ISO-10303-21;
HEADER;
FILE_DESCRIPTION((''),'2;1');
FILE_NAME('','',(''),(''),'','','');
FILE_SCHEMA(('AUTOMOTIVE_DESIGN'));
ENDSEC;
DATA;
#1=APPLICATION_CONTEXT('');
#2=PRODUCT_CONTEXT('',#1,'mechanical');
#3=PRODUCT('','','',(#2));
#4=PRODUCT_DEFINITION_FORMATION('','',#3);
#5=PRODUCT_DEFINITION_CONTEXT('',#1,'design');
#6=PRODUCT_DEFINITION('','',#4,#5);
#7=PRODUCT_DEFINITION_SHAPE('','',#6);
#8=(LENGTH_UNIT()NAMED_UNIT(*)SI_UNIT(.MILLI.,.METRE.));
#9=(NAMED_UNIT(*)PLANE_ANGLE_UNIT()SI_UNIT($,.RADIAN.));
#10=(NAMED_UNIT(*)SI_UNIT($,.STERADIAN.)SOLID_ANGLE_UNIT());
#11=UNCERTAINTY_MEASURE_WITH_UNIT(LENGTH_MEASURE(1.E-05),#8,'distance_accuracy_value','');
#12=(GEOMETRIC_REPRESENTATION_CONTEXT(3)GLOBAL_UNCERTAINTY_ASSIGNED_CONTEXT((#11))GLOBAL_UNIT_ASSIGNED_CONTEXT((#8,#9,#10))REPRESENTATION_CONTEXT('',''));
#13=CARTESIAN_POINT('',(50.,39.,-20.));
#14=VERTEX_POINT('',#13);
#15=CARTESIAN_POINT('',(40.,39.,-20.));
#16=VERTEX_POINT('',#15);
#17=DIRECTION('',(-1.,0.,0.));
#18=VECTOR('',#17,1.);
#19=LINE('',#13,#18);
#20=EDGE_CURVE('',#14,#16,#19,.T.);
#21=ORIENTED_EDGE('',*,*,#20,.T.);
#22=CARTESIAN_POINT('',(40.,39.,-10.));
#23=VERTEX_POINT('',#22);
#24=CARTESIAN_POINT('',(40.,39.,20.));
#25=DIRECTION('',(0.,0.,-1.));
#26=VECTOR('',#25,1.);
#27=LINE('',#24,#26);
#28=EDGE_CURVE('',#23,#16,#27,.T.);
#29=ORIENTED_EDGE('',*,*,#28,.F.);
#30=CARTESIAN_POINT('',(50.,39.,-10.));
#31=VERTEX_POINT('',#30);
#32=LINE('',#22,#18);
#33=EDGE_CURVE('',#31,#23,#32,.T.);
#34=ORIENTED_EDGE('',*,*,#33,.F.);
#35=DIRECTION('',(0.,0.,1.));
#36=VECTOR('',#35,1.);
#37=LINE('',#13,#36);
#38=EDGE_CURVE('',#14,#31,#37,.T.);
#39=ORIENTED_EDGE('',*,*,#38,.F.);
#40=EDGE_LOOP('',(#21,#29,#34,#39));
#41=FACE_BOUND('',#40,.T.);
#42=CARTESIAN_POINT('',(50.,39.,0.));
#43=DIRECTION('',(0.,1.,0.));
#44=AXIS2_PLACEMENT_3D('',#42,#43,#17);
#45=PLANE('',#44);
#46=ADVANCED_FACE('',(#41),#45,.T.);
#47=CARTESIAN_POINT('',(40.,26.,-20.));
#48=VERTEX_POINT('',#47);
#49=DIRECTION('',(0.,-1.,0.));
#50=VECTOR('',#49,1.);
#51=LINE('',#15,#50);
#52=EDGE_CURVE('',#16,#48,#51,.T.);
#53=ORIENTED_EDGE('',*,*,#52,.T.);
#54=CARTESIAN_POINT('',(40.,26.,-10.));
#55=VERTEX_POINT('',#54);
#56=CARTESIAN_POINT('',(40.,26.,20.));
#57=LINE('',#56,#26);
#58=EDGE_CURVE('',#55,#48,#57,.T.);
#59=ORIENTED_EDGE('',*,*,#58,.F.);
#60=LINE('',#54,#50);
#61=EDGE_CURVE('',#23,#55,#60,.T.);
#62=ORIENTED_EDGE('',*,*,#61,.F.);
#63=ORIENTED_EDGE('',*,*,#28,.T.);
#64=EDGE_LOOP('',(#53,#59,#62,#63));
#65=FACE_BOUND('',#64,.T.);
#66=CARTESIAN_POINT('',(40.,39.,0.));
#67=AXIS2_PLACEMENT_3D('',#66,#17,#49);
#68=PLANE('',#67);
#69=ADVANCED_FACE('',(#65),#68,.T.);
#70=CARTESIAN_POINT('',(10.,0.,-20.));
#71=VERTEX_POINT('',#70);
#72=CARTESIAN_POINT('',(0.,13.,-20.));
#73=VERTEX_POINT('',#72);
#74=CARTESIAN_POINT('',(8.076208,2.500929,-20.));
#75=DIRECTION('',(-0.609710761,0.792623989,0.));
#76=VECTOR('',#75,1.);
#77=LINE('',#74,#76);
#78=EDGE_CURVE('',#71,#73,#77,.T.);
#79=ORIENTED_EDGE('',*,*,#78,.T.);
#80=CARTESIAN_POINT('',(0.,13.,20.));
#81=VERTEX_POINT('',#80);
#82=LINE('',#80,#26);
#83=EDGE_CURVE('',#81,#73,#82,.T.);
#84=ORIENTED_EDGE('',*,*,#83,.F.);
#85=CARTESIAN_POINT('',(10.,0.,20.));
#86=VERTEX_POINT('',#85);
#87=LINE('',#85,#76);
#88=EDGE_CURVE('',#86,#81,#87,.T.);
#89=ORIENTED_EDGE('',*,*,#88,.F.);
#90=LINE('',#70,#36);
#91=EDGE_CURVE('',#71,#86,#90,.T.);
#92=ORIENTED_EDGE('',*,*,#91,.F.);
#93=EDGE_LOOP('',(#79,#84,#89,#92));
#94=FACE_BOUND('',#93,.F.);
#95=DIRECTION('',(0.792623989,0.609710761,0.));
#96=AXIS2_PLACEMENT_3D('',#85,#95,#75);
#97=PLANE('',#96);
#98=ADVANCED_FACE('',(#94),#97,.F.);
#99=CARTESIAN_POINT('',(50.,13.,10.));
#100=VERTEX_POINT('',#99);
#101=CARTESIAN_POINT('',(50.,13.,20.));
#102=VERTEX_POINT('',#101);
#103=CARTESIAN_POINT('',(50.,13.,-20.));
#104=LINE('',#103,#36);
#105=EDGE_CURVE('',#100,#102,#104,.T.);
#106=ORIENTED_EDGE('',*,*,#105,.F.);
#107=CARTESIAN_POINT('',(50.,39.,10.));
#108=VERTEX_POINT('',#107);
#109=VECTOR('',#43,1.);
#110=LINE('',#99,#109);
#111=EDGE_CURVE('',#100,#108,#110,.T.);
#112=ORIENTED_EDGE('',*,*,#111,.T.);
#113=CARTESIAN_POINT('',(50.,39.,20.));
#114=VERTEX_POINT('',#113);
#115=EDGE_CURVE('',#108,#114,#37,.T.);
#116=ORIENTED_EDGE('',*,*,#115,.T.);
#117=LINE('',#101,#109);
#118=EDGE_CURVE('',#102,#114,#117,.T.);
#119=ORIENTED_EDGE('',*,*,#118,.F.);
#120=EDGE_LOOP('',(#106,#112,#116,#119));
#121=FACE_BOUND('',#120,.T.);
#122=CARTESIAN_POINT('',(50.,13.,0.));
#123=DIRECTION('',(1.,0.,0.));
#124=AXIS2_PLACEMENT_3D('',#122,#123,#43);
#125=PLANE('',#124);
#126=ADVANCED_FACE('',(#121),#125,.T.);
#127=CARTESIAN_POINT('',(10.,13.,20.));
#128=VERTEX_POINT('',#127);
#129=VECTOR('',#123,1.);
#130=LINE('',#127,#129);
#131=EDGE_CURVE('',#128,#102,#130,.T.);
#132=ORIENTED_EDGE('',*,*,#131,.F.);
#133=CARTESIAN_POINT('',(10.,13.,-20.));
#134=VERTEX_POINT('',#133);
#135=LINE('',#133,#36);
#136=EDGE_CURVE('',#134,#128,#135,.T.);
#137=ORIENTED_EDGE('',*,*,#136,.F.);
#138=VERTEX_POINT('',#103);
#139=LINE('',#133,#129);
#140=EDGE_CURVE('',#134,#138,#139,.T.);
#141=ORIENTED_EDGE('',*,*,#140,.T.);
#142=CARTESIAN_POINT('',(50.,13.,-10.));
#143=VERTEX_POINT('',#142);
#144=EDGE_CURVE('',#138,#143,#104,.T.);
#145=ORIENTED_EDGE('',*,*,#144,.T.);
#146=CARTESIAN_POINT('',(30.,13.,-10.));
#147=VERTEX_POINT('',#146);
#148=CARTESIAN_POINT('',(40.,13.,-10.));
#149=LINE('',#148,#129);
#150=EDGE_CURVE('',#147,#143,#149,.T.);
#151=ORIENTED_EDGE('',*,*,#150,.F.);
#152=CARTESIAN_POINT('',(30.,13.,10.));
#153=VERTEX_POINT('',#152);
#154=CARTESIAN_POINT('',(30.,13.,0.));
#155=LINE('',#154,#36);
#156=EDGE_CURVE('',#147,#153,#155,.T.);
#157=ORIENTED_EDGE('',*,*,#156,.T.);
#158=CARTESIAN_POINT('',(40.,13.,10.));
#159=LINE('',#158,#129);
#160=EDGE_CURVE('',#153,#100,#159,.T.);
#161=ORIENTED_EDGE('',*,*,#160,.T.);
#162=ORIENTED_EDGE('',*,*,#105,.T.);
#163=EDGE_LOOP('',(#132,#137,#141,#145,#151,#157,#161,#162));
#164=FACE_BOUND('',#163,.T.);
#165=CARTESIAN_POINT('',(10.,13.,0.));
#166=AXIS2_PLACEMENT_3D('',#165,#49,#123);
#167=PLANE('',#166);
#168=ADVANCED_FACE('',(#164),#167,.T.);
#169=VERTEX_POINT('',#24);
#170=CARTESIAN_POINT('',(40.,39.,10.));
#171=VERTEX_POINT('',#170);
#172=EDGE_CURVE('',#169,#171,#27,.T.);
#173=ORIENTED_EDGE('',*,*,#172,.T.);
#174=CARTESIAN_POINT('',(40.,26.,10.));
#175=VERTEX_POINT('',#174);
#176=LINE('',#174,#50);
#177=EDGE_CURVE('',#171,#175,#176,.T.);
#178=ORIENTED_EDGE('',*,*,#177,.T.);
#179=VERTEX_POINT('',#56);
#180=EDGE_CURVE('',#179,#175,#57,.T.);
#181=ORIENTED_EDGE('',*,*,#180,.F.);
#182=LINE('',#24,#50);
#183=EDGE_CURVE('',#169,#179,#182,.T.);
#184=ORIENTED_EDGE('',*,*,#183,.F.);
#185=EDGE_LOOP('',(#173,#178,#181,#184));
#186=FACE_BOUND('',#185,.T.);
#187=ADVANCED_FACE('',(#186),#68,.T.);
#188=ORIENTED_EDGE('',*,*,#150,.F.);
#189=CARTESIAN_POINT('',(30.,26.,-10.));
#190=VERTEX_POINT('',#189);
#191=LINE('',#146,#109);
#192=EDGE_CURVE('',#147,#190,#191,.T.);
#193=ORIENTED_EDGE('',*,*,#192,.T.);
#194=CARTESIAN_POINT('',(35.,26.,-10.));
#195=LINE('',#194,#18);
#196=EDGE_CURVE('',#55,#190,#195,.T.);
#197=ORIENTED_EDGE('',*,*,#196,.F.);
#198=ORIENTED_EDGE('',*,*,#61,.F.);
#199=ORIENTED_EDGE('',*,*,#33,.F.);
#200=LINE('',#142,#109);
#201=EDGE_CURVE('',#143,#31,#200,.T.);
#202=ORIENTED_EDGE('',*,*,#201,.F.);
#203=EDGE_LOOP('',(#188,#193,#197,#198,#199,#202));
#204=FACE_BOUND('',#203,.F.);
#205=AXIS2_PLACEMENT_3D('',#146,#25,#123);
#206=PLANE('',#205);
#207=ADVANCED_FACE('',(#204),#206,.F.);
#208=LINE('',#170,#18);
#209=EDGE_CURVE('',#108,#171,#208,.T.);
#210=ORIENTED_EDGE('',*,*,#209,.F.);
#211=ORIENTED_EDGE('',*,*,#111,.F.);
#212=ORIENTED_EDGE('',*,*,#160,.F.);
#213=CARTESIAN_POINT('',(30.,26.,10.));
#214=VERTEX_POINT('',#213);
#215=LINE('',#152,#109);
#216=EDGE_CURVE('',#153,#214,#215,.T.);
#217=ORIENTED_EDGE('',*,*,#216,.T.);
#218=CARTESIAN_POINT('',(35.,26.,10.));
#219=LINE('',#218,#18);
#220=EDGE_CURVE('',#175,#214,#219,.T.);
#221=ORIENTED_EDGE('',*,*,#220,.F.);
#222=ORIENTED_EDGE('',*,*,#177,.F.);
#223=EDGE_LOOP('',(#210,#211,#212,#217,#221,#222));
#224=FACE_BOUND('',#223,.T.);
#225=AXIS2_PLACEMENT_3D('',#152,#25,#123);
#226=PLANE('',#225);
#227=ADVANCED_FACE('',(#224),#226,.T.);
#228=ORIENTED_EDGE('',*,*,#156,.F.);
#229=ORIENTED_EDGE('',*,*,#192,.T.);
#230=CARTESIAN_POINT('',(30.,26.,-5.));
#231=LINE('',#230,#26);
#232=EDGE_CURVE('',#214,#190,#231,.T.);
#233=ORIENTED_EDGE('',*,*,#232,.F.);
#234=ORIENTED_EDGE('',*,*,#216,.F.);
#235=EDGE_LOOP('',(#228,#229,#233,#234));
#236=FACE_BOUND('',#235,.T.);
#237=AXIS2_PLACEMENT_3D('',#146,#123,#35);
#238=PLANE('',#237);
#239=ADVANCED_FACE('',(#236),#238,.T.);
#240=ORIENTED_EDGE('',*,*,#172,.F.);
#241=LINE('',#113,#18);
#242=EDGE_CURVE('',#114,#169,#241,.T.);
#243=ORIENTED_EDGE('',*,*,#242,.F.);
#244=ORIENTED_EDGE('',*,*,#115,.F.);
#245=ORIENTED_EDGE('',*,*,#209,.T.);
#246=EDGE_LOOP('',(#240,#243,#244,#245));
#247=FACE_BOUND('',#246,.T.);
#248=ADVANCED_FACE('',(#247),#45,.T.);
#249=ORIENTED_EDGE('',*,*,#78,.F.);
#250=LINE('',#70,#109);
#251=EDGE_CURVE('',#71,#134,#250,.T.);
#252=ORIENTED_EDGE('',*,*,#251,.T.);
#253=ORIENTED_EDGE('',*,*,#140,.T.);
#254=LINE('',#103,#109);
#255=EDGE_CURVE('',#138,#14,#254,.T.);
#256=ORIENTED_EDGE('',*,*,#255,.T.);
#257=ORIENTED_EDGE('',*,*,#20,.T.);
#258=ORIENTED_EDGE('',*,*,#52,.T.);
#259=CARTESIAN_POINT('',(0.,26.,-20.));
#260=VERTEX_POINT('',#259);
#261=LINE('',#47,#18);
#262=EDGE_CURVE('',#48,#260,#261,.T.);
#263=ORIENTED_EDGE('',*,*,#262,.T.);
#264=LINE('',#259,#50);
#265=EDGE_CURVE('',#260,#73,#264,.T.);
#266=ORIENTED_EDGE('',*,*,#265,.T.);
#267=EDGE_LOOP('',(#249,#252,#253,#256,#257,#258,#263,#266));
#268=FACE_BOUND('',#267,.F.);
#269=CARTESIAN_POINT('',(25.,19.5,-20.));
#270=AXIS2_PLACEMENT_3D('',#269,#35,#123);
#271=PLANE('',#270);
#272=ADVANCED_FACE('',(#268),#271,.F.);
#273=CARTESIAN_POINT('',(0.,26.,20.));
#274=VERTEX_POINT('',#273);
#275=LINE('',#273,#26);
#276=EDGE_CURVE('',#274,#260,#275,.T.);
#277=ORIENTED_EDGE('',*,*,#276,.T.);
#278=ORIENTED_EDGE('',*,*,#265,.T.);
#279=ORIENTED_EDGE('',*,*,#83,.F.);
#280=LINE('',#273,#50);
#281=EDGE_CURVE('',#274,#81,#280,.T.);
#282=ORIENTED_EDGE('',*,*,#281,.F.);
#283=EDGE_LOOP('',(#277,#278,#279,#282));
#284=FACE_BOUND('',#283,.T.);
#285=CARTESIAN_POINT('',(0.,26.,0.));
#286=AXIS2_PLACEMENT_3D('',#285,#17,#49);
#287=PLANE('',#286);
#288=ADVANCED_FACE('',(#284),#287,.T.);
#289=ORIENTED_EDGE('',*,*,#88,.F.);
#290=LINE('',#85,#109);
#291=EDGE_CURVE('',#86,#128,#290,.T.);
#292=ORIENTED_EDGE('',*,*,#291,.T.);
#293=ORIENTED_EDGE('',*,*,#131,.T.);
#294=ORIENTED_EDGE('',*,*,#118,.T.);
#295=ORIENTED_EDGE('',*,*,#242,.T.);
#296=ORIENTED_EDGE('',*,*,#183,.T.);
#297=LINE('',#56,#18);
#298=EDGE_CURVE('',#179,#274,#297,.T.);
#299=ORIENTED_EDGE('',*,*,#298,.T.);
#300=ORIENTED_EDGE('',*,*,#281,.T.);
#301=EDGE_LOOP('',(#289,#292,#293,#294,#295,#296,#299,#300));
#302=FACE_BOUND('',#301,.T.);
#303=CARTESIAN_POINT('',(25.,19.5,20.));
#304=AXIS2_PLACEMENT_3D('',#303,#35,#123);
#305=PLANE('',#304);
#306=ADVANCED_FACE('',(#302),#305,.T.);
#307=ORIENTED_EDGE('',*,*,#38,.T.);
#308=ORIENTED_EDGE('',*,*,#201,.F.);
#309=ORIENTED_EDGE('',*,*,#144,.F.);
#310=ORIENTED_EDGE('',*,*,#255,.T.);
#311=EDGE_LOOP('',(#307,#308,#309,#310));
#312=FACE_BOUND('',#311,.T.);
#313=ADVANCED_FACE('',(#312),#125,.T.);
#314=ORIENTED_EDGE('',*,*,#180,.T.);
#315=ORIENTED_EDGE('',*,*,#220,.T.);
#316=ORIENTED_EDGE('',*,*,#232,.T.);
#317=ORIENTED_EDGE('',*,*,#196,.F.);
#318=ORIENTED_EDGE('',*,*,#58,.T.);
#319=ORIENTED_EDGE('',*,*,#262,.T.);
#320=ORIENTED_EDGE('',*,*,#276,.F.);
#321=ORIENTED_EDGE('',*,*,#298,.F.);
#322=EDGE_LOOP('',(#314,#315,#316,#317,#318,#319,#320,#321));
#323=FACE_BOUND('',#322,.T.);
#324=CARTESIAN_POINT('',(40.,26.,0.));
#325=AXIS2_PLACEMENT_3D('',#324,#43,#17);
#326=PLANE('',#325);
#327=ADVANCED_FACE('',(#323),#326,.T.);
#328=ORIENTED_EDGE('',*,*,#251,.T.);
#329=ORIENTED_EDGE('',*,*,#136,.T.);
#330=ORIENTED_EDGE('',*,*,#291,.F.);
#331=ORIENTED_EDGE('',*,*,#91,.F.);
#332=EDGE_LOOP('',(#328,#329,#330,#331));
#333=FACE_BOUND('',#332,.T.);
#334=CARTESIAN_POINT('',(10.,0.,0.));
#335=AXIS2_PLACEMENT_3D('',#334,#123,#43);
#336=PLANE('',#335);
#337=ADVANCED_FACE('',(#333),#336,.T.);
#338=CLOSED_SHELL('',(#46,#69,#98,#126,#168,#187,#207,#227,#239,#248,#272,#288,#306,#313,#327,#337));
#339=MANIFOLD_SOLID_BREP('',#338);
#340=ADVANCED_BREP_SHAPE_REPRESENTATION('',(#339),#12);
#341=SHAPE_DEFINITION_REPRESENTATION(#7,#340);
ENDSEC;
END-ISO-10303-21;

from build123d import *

# Parameters (mm, degrees)
F1_DEPTH = 20
F2_W     = 20
F2_H     = 20
F3_DEPTH = 26.001
F5_DEPTH = 40.001


with BuildPart() as f1:
    # F0 (on Top) → F1 (new body, symmetric)
    with BuildSketch(Plane.XY):
        Polygon((0, 26), (0, 0), (10, 0), (10, 13), (50, 13), (50, 39), (40, 39), (40, 26), align=None)
    extrude(amount=F1_DEPTH, both=True)

    # F2 (on face) → F3 (cut, through all)
    with BuildSketch(Plane.XZ.offset(-13)):
        with Locations((40, 0)):
            Rectangle(F2_W, F2_H)
    extrude(amount=-F3_DEPTH, mode=Mode.SUBTRACT)

    # F4 (on face) → F5 (cut, through all)
    with BuildSketch(Plane.XY.offset(20)):
        Polygon((0, 0), (10, 0), (0, 13), align=None)
    extrude(amount=-F5_DEPTH, mode=Mode.SUBTRACT)


solid = f1.part
